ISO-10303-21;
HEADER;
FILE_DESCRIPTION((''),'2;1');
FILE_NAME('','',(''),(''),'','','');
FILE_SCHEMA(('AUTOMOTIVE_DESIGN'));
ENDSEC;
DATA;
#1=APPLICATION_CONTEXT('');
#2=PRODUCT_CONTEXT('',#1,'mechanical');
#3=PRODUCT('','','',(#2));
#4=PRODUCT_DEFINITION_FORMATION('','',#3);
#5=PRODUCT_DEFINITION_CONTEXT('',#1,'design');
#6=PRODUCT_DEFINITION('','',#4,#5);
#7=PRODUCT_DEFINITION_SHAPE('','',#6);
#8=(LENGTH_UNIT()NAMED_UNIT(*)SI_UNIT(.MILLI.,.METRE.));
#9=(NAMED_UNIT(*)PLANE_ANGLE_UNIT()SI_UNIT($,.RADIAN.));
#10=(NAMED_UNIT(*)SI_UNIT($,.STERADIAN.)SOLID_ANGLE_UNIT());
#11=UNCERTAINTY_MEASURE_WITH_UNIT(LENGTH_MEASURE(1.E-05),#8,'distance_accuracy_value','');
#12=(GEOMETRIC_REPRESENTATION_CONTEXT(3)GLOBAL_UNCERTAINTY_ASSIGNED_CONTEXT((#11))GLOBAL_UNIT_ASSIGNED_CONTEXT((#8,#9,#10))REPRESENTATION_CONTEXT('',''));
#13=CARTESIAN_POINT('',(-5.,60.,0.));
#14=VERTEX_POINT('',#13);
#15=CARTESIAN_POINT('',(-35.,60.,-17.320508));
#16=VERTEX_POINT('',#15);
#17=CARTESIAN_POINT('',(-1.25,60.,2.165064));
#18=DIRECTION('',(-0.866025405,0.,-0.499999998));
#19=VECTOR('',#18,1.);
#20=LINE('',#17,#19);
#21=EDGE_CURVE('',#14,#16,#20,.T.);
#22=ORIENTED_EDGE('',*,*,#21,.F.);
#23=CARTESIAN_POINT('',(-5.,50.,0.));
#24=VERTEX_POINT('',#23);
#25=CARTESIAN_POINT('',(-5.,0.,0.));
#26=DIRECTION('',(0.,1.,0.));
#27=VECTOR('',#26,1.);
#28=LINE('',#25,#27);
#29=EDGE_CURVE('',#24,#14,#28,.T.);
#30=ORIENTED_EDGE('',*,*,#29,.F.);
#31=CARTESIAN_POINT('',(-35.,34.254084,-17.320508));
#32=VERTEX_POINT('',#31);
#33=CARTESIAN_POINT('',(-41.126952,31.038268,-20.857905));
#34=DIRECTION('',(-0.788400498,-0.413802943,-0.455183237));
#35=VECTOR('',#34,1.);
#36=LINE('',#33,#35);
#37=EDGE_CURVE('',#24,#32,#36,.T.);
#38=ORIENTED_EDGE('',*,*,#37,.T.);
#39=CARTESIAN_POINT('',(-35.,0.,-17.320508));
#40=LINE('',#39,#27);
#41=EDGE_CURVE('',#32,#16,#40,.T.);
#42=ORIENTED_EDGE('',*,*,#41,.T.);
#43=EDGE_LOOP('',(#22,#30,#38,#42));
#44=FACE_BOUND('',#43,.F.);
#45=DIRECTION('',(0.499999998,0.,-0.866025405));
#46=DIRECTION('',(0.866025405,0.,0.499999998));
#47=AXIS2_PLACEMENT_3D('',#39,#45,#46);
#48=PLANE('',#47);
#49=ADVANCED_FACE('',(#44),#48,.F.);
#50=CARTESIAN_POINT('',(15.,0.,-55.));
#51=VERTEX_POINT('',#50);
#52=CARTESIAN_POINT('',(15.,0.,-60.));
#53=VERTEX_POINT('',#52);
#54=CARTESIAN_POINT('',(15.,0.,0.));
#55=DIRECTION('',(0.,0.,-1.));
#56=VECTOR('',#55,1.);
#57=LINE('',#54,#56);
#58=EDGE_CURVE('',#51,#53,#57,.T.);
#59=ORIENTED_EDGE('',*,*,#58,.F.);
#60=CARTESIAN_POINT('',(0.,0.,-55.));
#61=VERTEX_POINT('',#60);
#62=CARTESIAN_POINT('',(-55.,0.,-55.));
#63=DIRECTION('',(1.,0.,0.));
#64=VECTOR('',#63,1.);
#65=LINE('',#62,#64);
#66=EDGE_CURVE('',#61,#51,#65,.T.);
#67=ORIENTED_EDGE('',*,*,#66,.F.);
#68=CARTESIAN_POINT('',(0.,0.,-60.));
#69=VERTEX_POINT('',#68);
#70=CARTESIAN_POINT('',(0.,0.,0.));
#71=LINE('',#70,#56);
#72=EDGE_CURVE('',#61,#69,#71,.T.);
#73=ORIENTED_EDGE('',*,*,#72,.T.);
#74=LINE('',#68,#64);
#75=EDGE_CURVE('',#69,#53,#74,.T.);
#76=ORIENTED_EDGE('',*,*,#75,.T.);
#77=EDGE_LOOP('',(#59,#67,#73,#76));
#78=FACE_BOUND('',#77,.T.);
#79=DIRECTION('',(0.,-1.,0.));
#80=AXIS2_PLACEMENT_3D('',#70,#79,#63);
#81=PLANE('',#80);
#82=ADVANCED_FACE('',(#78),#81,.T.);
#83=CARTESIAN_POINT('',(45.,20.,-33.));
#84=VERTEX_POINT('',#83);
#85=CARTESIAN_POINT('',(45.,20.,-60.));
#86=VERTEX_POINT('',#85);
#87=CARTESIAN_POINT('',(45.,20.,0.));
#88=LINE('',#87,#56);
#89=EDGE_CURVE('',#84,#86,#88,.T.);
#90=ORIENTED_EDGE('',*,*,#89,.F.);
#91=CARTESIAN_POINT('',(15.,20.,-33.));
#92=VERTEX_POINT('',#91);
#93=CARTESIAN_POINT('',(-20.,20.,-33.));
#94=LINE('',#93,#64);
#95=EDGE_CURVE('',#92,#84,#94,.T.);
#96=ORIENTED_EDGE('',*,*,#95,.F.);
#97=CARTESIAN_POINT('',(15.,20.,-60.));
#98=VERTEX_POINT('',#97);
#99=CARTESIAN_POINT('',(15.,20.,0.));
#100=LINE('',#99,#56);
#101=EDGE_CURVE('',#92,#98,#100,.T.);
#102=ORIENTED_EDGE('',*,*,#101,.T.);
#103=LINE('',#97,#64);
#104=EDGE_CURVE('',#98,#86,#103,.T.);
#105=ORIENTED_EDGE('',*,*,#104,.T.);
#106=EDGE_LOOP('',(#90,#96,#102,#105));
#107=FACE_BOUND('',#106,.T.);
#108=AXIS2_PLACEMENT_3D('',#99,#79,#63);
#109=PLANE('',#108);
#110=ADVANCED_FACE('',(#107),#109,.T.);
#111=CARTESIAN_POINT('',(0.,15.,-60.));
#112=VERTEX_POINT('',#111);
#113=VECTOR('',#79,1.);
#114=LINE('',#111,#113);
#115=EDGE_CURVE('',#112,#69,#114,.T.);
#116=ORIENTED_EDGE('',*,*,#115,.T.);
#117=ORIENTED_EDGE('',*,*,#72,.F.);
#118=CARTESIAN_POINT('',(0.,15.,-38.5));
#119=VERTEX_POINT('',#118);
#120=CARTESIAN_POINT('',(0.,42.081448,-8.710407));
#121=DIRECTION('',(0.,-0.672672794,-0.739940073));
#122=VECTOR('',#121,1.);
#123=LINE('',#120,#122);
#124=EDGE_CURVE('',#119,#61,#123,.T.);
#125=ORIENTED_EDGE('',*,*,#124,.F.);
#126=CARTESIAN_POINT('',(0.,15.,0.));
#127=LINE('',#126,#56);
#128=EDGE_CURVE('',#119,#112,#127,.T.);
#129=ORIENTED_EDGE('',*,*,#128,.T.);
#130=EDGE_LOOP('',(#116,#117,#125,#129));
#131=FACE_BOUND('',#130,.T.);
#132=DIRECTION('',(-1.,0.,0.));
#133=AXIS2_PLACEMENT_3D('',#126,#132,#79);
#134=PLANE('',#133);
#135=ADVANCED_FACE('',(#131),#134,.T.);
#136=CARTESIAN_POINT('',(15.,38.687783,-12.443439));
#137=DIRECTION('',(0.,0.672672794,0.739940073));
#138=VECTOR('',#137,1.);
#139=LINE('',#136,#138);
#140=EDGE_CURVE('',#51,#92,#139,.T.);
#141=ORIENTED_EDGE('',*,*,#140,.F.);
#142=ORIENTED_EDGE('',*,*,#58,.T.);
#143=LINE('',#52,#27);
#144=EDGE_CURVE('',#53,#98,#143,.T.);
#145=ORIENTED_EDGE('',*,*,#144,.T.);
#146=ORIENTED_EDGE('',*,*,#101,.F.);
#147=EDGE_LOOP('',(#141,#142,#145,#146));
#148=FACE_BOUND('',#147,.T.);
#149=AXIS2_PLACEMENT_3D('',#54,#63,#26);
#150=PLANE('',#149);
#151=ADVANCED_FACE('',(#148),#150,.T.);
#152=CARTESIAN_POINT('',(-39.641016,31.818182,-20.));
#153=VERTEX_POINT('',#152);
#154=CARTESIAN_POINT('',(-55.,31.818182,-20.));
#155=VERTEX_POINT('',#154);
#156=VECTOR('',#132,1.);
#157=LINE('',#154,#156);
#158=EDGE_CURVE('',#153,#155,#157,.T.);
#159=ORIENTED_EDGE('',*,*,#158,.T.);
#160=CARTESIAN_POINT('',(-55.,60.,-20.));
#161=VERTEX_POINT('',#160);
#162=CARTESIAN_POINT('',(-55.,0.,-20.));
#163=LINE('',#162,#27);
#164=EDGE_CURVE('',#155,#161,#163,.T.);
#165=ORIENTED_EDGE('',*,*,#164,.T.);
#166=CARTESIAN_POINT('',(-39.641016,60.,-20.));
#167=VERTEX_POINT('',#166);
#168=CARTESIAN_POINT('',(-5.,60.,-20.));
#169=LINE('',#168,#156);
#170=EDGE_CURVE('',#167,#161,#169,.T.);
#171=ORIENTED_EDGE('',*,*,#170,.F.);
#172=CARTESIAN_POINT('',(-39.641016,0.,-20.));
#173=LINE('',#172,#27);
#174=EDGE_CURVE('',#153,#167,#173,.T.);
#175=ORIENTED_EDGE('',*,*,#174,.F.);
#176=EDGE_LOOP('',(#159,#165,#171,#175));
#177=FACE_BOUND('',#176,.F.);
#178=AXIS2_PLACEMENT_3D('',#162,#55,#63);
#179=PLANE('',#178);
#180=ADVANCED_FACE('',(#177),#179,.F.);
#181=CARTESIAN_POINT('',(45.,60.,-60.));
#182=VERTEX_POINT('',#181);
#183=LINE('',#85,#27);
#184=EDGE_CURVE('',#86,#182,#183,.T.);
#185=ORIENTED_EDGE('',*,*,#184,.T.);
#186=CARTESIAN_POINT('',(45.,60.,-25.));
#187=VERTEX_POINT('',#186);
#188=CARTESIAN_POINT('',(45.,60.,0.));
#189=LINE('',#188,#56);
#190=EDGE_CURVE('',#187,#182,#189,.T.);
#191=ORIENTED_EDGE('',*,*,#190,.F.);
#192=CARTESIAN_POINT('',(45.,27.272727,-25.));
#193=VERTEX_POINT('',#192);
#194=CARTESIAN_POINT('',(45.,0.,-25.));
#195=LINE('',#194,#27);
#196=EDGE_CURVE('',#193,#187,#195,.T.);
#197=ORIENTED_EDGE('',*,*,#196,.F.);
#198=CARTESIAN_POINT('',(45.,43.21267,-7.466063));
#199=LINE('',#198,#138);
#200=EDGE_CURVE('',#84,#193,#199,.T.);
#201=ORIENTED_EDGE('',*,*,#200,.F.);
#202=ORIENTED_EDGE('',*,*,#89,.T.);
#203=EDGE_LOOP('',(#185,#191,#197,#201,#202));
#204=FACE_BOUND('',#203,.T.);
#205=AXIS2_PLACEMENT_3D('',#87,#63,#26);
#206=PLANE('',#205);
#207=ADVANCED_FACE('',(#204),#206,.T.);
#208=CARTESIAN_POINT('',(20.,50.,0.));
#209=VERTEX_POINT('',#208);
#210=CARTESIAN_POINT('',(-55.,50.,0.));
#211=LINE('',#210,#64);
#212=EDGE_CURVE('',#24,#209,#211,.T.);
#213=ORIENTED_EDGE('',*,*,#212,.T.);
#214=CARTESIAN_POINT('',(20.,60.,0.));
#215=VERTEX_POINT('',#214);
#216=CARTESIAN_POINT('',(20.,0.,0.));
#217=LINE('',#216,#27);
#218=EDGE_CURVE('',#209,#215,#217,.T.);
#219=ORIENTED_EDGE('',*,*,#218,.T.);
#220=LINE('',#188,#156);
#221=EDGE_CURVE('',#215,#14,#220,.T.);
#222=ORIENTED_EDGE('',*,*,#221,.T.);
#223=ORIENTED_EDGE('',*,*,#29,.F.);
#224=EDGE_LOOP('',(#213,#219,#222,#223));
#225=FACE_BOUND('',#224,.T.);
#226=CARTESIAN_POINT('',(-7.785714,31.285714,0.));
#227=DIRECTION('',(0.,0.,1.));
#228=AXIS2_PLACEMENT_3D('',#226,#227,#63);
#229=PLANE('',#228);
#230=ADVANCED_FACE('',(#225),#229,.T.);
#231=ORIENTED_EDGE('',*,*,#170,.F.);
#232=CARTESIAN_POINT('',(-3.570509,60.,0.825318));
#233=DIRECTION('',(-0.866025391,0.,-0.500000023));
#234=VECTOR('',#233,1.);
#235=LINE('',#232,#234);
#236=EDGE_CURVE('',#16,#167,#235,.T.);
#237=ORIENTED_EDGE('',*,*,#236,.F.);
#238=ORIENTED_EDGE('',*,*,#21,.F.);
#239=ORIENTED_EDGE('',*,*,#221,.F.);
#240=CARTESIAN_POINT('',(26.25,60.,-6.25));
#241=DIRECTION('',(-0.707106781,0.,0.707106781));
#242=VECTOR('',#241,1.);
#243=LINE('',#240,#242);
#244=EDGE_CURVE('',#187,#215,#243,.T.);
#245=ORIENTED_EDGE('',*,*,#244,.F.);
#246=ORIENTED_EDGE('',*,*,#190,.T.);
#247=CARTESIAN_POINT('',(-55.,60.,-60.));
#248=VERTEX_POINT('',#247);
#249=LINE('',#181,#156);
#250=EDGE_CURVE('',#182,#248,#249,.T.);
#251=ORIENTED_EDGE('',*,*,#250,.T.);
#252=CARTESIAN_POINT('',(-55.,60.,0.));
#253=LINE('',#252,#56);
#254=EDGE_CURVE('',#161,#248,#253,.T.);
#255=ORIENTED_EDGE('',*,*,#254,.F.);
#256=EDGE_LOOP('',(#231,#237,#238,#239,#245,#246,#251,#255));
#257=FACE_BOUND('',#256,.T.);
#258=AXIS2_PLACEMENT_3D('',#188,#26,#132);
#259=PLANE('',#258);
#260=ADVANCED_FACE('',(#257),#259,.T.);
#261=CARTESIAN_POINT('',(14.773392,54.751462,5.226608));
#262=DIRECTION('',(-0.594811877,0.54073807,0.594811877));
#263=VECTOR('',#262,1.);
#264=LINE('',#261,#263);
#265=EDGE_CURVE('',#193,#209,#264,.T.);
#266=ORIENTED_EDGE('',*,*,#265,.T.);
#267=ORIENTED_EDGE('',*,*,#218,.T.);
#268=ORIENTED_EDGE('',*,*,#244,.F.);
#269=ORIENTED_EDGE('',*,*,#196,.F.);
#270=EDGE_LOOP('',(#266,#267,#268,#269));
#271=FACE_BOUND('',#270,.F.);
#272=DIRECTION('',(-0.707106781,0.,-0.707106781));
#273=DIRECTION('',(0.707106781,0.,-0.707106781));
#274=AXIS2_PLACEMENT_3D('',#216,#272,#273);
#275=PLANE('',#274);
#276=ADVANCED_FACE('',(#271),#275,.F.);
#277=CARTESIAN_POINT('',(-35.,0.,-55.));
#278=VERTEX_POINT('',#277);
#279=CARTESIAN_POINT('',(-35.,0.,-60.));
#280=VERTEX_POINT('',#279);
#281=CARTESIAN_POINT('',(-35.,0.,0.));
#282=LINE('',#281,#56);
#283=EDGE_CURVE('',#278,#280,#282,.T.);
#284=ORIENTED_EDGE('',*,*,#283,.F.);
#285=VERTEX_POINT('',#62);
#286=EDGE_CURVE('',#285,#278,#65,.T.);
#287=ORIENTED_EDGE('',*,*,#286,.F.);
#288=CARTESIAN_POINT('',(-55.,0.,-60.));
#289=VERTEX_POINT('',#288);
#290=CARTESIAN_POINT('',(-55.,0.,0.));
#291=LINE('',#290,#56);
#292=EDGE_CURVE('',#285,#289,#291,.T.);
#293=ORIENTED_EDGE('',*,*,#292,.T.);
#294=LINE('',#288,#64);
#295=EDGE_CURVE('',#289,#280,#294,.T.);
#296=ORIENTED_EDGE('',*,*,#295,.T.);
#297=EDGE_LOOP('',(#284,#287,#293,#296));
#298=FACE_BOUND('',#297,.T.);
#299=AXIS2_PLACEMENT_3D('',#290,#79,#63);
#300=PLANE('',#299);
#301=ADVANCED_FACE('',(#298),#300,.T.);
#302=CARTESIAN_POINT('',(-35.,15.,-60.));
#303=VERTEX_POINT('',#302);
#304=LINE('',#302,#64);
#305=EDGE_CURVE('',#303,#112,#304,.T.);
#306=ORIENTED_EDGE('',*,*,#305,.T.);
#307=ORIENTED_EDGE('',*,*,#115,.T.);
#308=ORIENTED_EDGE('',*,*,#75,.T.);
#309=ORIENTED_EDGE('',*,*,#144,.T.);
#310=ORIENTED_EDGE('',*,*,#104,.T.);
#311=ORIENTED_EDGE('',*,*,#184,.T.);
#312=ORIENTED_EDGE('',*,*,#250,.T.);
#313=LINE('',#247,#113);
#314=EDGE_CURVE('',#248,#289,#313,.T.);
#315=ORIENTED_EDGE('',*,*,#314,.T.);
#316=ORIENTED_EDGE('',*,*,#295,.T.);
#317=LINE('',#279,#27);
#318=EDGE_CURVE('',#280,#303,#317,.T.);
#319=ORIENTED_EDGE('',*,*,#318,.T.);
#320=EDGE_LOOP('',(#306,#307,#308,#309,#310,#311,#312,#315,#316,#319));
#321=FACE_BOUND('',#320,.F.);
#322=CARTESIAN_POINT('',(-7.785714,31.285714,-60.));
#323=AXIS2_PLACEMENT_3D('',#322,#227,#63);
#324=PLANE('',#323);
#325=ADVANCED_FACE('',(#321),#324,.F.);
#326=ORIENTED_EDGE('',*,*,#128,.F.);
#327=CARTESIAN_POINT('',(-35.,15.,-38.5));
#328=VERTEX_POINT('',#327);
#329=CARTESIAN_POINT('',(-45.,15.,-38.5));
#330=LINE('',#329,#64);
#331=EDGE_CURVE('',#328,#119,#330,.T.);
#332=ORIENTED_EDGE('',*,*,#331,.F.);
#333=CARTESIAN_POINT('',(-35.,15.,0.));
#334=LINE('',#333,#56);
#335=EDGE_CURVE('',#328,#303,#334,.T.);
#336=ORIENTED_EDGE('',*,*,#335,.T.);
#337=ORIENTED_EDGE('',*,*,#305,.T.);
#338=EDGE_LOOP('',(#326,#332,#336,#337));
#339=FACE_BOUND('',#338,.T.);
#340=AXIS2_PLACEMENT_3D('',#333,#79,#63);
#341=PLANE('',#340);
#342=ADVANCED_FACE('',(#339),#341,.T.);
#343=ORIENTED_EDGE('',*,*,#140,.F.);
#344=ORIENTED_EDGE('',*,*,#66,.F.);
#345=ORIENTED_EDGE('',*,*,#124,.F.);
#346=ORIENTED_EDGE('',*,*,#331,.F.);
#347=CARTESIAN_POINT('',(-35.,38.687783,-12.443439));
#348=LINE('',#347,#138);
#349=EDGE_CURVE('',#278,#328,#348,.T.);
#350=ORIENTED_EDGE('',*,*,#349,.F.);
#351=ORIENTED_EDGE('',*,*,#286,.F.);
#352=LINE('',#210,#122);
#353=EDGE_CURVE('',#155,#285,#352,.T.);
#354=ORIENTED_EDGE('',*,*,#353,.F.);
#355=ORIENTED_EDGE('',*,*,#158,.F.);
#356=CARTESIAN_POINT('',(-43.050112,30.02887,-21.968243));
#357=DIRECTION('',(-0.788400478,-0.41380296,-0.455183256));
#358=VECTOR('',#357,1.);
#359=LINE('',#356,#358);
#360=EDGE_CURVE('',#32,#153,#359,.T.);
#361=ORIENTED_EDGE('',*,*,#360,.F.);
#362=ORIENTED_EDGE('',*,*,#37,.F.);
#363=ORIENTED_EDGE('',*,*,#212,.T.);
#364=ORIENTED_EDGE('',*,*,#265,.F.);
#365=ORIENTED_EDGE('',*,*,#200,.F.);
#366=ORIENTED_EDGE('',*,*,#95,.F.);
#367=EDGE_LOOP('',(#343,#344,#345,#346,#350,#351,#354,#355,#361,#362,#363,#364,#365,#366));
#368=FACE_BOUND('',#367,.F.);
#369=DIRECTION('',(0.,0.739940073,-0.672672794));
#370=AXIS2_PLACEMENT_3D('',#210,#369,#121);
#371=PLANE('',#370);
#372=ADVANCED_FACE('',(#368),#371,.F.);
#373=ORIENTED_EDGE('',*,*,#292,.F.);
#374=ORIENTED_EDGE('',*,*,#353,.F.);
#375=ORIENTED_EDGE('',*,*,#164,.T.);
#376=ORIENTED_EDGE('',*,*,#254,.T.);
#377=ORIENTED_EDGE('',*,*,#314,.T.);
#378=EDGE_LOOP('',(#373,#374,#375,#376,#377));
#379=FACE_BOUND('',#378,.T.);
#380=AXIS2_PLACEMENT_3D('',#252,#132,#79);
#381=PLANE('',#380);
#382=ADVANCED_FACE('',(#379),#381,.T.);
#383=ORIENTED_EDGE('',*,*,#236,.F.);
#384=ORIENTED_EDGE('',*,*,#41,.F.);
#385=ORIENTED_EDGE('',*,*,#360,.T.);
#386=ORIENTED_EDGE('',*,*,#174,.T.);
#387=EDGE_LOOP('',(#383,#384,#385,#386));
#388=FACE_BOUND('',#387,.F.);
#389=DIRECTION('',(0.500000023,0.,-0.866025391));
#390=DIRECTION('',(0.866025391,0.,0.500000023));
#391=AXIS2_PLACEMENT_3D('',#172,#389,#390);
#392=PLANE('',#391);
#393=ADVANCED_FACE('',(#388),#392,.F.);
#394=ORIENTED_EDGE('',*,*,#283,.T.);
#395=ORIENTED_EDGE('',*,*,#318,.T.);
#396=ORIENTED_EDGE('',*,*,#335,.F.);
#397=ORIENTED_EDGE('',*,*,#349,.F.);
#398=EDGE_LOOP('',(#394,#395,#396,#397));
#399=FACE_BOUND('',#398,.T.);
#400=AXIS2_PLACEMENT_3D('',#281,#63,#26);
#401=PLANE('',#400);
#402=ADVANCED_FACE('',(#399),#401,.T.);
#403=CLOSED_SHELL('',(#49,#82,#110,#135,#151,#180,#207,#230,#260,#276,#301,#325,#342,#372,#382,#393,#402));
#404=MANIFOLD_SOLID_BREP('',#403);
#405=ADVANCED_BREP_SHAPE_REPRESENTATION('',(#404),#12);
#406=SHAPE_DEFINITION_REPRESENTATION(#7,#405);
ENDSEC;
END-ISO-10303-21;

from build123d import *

# Parameters (mm, degrees)
F1_DEPTH = 60
F3_DEPTH = 100.001
F5_DEPTH = 60.001


with BuildPart() as f1:
    # F0 (on Top) → F1 (new body)
    with BuildSketch(Plane.XY):
        Polygon((45, 60), (-55, 60), (-55, 0), (-35, 0), (-35, 15), (0, 15), (0, 0), (15, 0), (15, 20), (45, 20), align=None)
    extrude(amount=-F1_DEPTH)

    # F2 (on face) → F3 (cut, through all)
    with BuildSketch(Plane(origin=(-55, 0, 0), x_dir=(0, -1, 0), z_dir=(-1, 0, 0))):
        Polygon((0, 0), (-50, 0), (0, -55), align=None)
    extrude(amount=-F3_DEPTH, mode=Mode.SUBTRACT)

    # F4 (on Front) → F5 (cut, through all)
    with BuildSketch(Plane.XZ):
        Polygon((-35, 0), (-55, 0), (-55, -20), (-39.641016, -20), (-35, -17.320508), align=None)
        Polygon((-5, 0), (-35, 0), (-35, -17.320508), align=None)
        Polygon((45, -25), (45, 0), (20, 0), align=None)
    extrude(amount=-F5_DEPTH, mode=Mode.SUBTRACT)


solid = f1.part
